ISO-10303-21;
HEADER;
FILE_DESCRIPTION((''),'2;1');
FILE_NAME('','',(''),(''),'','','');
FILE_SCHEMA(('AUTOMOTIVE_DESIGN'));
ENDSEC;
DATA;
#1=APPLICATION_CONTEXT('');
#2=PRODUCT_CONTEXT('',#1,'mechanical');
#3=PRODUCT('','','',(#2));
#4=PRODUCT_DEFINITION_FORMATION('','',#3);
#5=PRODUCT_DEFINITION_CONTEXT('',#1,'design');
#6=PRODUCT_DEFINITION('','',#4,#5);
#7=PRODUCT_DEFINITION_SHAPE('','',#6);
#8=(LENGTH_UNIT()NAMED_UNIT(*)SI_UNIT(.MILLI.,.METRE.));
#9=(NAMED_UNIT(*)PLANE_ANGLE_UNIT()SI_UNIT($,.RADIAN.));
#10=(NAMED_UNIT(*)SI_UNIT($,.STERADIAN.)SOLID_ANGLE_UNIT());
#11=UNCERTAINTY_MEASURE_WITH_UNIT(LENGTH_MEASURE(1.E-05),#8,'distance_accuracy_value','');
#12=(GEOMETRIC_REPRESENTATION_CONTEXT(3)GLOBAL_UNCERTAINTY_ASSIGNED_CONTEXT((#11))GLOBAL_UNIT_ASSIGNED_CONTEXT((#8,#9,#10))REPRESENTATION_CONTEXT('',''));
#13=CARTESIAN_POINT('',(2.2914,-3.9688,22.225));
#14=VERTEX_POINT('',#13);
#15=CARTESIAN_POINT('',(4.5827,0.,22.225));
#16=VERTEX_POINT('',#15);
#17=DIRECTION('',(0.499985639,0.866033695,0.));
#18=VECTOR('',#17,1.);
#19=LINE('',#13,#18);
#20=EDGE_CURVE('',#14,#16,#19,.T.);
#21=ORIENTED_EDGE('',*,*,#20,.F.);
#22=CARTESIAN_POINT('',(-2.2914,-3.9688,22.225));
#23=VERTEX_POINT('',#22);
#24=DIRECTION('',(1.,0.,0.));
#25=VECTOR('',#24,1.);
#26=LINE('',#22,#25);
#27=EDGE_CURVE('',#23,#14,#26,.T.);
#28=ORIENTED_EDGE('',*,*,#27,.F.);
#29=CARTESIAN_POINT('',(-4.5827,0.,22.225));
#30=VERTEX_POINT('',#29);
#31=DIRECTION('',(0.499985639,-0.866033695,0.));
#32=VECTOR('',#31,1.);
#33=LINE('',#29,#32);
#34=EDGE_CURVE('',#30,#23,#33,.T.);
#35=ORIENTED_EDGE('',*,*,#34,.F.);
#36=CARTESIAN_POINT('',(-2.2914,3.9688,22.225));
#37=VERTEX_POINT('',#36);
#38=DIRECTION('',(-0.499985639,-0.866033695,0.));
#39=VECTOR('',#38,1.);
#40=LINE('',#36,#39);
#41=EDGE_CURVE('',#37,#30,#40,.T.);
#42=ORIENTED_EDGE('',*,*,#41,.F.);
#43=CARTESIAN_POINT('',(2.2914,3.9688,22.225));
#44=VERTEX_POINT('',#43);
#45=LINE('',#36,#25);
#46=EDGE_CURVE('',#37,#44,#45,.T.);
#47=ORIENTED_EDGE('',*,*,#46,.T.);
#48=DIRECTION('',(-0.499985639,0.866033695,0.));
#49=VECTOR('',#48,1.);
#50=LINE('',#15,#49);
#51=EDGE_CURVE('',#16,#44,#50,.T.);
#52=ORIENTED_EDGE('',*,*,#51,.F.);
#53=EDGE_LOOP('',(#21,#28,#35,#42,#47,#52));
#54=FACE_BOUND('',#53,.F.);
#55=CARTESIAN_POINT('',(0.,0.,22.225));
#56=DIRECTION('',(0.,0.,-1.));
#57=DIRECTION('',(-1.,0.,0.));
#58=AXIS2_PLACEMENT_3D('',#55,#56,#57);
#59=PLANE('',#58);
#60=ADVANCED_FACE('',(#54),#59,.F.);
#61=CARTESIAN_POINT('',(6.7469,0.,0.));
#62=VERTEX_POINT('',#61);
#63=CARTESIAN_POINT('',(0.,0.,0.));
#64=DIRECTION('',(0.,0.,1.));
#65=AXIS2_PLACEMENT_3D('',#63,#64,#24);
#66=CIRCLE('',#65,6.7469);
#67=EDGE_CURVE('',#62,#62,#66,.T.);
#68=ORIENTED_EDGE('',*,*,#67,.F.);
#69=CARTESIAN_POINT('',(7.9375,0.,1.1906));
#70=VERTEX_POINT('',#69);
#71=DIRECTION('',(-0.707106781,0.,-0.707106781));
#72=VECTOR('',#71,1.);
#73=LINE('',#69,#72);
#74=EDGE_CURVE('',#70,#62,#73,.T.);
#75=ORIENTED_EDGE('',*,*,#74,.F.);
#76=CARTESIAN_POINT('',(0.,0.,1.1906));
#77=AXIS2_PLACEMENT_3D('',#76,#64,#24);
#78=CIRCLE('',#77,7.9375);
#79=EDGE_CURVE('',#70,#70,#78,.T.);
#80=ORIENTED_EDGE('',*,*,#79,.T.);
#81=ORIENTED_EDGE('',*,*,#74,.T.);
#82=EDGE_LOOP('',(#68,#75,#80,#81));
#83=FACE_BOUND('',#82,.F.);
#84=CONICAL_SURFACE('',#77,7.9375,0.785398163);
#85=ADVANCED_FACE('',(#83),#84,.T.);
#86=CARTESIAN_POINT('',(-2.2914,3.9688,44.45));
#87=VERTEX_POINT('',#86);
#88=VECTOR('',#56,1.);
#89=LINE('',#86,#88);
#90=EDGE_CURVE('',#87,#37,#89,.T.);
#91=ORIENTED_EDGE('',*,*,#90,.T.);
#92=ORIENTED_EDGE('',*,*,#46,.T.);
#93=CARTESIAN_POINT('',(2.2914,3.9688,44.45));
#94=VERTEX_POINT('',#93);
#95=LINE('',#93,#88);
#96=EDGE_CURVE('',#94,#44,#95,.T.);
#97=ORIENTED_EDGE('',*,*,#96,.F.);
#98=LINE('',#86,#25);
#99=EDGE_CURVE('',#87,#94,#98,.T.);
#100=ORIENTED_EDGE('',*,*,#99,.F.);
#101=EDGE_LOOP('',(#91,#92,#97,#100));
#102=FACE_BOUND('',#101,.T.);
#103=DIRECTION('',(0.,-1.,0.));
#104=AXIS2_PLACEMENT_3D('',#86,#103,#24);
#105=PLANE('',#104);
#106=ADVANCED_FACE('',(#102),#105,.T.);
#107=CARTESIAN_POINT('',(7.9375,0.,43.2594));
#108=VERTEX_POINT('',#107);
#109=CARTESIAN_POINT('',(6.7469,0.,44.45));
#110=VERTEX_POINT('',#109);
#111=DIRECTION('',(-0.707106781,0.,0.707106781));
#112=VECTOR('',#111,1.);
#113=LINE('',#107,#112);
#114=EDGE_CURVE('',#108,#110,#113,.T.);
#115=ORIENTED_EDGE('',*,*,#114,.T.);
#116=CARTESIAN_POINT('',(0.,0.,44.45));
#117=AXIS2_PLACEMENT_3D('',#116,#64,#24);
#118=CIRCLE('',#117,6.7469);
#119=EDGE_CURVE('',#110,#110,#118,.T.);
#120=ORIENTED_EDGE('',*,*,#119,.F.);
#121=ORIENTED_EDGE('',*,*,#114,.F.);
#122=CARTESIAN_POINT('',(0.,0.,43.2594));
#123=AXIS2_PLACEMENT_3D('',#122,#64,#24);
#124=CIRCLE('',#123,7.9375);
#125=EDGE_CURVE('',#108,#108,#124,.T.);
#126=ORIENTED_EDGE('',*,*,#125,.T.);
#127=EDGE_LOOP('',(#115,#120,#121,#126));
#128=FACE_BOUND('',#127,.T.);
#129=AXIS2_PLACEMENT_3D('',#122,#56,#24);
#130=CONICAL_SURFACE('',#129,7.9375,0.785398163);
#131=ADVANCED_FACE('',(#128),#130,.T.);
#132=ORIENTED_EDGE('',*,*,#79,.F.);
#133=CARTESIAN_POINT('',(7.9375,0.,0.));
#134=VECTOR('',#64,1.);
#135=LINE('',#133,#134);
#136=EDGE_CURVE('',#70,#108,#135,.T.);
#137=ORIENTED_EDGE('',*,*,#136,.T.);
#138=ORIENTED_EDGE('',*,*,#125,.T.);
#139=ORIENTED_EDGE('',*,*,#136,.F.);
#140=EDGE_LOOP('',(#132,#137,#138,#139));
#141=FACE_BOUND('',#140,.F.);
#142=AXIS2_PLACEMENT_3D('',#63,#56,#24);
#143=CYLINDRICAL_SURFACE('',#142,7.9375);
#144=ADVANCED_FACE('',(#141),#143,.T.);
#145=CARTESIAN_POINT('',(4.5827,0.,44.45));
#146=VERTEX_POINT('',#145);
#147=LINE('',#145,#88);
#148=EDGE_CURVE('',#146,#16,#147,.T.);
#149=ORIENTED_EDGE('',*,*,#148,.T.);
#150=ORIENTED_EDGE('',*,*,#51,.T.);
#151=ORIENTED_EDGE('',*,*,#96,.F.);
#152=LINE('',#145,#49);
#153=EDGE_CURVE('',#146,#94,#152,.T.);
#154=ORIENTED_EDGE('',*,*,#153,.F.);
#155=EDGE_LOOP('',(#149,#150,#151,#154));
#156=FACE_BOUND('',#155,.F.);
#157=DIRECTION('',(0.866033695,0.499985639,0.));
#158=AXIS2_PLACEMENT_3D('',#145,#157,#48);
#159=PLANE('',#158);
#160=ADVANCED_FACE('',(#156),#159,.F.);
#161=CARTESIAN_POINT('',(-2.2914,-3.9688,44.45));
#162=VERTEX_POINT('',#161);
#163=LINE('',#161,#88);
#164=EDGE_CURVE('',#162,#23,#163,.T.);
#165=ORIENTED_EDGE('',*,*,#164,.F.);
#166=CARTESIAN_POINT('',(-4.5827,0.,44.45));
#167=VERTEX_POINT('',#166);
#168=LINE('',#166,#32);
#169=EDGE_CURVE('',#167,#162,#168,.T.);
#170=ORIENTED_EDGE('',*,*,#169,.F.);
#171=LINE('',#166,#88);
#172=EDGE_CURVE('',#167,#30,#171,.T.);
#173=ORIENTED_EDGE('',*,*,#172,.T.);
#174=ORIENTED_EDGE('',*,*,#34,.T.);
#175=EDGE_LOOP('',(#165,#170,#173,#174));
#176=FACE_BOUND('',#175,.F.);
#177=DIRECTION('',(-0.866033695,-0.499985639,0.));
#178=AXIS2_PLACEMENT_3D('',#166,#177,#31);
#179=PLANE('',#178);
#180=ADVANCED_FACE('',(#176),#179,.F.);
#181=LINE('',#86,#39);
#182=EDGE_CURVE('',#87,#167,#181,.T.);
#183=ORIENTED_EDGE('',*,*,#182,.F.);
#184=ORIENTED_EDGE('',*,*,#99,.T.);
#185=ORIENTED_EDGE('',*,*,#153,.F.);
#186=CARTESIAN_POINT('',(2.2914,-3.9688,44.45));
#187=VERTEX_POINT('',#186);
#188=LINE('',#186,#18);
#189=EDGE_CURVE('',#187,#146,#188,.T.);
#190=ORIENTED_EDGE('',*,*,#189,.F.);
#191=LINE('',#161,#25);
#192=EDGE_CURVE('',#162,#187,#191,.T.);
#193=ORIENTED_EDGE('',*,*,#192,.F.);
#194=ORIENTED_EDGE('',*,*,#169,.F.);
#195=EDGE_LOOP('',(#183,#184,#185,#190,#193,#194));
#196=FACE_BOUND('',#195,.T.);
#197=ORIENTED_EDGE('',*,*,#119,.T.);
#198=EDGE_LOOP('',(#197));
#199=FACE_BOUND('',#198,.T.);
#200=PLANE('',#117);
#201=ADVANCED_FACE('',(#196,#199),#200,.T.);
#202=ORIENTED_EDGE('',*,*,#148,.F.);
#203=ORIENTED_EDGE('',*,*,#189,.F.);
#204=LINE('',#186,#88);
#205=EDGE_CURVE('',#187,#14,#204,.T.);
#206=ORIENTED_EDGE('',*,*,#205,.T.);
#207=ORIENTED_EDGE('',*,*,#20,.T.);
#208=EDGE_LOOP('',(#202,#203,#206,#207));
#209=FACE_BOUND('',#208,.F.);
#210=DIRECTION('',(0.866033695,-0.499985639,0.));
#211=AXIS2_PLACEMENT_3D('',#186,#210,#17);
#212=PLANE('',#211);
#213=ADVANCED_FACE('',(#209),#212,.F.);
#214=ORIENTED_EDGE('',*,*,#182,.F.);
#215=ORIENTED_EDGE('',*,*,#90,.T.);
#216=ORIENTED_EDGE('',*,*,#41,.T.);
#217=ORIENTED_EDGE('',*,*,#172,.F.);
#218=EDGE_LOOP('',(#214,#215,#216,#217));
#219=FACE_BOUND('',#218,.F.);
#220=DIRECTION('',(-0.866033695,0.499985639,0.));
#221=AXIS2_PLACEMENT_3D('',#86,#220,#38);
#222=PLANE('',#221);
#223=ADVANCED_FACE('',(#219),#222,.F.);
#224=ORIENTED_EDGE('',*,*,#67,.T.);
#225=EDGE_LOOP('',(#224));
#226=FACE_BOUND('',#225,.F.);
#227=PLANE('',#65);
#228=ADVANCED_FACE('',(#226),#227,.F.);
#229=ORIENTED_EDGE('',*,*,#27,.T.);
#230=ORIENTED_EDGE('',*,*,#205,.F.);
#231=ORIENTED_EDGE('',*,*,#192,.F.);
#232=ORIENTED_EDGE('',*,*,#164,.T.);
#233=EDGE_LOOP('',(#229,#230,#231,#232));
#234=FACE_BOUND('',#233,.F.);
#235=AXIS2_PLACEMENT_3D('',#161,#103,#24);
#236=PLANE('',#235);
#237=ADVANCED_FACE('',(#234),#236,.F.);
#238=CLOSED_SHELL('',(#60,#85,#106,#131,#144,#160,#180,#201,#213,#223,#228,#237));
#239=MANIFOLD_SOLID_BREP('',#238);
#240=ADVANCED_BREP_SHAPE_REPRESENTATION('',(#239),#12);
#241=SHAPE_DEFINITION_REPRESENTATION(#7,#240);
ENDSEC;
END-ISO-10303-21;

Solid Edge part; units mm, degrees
sketch "Sketch1" plane through (0, 0, 0) normal (0, 0, 1) x (1, 0, 0)
  circle A0 centre (0, 0) radius 7.9375
  dimension "D1" = 15.875
extrude "Protrusion1" add sketch "Sketch1" along normal blind 44.45
chamfer "Chamfer1" distance 1.1906 angle 45 2 edges at (-7.9375, 0, 0) (-7.9375, 0, 44.45)
sketch "Sketch2" plane through (0, 0, 44.45) normal (0, 0, 1) x (1, 0, 0)
  line L0 (-2.2914, 3.9688) -> (2.2914, 3.9688)
  line L1 (4.5827, 0) -> (2.2914, 3.9687)
  line L2 (2.2914, -3.9688) -> (4.5827, 0)
  line L3 (-2.2914, -3.9688) -> (2.2914, -3.9688)
  line L4 (-4.5827, 0) -> (-2.2914, -3.9688)
  line L5 (-2.2914, 3.9687) -> (-4.5827, 0)
  dimension "D1" = 7.9375
extrude "Cutout1" cut sketch "Sketch2" against normal blind 22.225
properties part number "201109"
